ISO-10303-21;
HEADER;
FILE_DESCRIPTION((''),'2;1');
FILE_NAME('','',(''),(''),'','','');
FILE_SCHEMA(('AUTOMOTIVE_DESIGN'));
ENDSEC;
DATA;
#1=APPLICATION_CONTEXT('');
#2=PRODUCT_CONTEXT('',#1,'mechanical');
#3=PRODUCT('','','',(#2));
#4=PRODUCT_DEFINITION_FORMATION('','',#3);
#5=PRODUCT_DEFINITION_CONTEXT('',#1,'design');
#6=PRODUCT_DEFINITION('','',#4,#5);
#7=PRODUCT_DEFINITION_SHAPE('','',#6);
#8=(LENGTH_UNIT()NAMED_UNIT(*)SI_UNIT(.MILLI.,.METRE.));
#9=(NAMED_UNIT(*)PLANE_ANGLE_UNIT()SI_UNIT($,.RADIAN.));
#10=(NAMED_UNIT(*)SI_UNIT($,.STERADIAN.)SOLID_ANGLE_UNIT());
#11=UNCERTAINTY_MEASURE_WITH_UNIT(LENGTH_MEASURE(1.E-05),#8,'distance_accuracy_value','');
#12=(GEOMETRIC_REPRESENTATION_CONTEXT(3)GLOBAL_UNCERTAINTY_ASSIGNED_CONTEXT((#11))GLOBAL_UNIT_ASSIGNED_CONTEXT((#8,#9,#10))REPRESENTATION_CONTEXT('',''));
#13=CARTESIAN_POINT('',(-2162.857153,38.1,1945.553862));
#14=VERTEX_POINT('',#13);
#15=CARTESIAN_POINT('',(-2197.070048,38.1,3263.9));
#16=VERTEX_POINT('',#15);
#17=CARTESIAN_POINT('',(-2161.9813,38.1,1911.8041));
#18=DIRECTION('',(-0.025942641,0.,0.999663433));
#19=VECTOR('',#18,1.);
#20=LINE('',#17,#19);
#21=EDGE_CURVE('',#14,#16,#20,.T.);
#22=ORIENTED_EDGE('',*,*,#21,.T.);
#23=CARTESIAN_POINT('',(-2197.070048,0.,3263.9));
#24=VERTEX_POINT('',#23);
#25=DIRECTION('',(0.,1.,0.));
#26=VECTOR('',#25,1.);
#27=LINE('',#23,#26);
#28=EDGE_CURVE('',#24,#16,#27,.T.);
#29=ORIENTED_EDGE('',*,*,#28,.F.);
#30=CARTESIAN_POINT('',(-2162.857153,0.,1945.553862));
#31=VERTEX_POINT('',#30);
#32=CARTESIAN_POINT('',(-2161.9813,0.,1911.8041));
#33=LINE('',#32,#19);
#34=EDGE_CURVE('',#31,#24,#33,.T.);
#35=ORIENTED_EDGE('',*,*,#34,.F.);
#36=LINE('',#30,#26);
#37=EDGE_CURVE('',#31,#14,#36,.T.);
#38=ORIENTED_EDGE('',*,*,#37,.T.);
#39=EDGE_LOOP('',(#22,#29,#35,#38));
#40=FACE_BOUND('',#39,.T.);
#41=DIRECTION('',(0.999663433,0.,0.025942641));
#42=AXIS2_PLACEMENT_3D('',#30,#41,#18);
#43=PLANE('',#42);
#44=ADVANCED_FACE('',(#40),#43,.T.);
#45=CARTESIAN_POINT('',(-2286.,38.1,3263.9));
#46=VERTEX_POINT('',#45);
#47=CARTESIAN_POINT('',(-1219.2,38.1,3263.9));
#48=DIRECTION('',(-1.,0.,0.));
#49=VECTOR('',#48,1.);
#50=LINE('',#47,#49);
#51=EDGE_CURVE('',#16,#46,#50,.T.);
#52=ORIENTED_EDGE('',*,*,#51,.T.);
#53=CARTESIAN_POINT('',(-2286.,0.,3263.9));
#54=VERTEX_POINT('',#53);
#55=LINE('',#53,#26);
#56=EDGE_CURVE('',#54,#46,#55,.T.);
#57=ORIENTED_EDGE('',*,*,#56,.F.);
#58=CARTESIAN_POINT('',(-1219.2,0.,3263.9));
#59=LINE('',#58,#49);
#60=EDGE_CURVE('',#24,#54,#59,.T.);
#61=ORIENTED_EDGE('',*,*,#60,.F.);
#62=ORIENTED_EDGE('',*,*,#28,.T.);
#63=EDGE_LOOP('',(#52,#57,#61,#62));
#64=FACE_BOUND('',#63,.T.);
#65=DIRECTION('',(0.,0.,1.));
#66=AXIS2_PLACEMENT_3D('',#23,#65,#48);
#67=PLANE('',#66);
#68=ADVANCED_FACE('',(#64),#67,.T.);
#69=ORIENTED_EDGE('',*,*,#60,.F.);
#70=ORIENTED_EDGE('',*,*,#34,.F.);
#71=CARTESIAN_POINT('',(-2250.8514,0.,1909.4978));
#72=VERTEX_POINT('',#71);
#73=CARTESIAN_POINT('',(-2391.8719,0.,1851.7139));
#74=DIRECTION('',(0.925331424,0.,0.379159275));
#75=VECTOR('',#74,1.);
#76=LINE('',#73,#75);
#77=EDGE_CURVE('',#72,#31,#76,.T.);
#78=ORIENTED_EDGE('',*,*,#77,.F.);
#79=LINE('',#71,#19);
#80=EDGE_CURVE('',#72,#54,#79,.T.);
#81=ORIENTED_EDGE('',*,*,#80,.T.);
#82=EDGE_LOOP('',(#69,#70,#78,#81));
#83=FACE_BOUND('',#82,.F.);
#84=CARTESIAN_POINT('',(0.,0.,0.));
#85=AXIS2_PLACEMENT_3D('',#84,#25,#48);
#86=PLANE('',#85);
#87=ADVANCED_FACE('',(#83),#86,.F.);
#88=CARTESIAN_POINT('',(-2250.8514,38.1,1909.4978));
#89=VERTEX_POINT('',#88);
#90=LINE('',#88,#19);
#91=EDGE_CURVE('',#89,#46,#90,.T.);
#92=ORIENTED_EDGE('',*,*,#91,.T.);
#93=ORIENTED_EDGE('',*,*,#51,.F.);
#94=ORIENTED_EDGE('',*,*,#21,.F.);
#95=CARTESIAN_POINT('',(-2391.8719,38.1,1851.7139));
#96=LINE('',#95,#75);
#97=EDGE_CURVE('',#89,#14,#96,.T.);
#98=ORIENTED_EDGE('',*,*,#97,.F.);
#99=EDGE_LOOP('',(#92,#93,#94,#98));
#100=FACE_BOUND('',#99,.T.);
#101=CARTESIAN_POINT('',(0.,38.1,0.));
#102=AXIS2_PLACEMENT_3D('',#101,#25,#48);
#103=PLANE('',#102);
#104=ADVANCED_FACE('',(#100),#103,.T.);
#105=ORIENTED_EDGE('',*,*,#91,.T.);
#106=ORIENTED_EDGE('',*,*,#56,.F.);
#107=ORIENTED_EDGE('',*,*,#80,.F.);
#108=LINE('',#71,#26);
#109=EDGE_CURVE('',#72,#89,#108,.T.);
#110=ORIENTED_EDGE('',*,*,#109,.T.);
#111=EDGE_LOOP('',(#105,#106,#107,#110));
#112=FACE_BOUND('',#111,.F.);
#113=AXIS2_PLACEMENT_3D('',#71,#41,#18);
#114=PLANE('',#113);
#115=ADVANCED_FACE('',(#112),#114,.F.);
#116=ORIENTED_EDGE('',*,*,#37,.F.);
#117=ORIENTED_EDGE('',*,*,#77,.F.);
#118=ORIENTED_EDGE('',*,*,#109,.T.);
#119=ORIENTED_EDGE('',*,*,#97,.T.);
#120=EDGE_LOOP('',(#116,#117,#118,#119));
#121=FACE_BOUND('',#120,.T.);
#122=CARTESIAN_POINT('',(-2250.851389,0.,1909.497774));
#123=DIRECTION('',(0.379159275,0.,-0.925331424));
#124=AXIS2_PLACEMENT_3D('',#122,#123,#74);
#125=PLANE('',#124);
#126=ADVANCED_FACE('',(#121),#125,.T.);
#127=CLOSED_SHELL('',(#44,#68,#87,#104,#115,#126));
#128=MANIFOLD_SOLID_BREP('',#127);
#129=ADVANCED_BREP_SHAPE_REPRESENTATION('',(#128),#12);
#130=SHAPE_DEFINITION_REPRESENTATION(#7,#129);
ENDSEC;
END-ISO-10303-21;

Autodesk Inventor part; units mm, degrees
ref_plane "YZ Plane" through (0, 0, 0) normal (1, 0, 0) x (0, 1, 0)
ref_plane "XZ Plane" through (0, 0, 0) normal (0, 1, 0) x (-1, 0, 0)
ref_plane "XY Plane" through (0, 0, 0) normal (0, 0, 1) x (1, 0, 0)
sketch "Sketch1" plane through (0, 0, 0) normal (0, 1, 0) x (-1, 0, 0)
  line L0 (0, 0) -> (0, -1219.2)
  line L1 (0, 0) -> (88.9, 0)
  line L2 (88.9, 0) -> (88.9, -1219.2)
  line L3 (88.9, -1219.2) -> (0, -1219.2)
  line L4 (0, 0) -> (0, 1219.2) construction
  line L5 (0, 1219.2) -> (1219.2, 1219.2) construction
  line L6 (0, 1219.2) -> (0, 3657.6) construction
  line L7 (0, 3657.6) -> (0, 4876.8) construction
  line L8 (0, 4876.8) -> (0, 6096) construction
  line L9 (0, -1219.2) -> (2438.4, -1219.2) construction
  line L10 (0, 6096) -> (2438.4, 6096) construction
  line L11 (2438.4, 6096) -> (2438.4, -1219.2) construction
  line L12 (0, 3657.6) -> (0, 3352.8) construction
  line L13 (0, 3352.8) -> (2438.4, 3352.8) construction
  line L14 (2438.4, 3352.8) -> (1219.2, 3352.8)
  line L15 (1219.2, 3352.8) -> (1219.2, 3263.9)
  line L16 (1219.2, 3263.9) -> (2438.4, 3263.9)
  line L17 (2438.4, 3263.9) -> (2438.4, 3352.8)
  line L18 (0, 6096) -> (862.1046, 6958.1046)
  line L19 (862.1046, 6958.1046) -> (924.9664, 6895.2428)
  line L20 (924.9664, 6895.2428) -> (62.8618, 6033.1382)
  line L21 (62.8618, 6033.1382) -> (0, 6096)
  line L22 (0, 4876.8) -> (1219.2, 4876.8) construction
  line L23 (1219.2, 4876.8) -> (2081.3046, 5738.9046)
  line L24 (1219.2, 1219.2) -> (2081.3046, 357.0954)
  line L25 (2081.3046, 357.0954) -> (2018.4428, 294.2336)
  line L26 (2018.4428, 294.2336) -> (1156.3382, 1156.3382)
  line L27 (1156.3382, 1156.3382) -> (1219.2, 1219.2)
  line L28 (2018.4428, 294.2336) -> (88.9, -1219.2)
  line L29 (2081.3046, 357.0954) -> (2144.1664, 419.9572)
  line L30 (2144.1664, 419.9572) -> (1282.0618, 1282.0618)
  line L31 (1282.0618, 1282.0618) -> (1219.2, 1219.2)
  line L32 (2438.4, 3352.8) -> (2438.4, 3441.7)
  line L33 (2438.4, 3441.7) -> (1219.2, 3441.7)
  line L34 (1219.2, 3441.7) -> (1219.2, 3352.8)
  line L35 (1156.3382, 4939.6618) -> (1282.0618, 4813.9382)
  line L36 (2018.4428, 5801.7664) -> (2144.1664, 5676.0428)
  line L37 (1282.0618, 4813.9382) -> (2144.1664, 5676.0428)
  line L38 (2018.4428, 5801.7664) -> (1156.3382, 4939.6618)
  line L39 (2018.4428, 5801.7664) -> (924.9664, 6895.2428)
  line L40 (62.8618, 6033.1382) -> (1156.3382, 4939.6618)
  line L41 (1233.6206, 4168.8855) -> (1267.6412, 4086.7527)
  line L42 (1263.7078, 2313.9849) -> (1230.0006, 2231.7229)
  arc A0 (862.1046, 6958.1046) -> (0, 6096) centre (431.0523, 6527.0523) ccw
  line L43 (1246.8542, 2272.8539) -> (2375.0183, 1810.583)
  line L44 (2391.8719, 1851.7139) -> (2358.1646, 1769.452)
  line L45 (2391.8719, 1851.7139) -> (1263.7078, 2313.9849)
  line L46 (1230.0006, 2231.7229) -> (2358.1646, 1769.452)
  line L47 (1230.0006, 2231.7229) -> (1219.2, 3263.9)
  line L48 (2144.1664, 419.9572) -> (2391.8719, 1851.7139)
  line L49 (2391.8719, 1851.7139) -> (2438.4, 3263.9)
  line L50 (1219.2, 3441.7) -> (1233.6206, 4168.8855)
  line L51 (1250.6309, 4127.8191) -> (2377.0248, 4594.3867)
  line L52 (2360.0145, 4635.4532) -> (2394.0351, 4553.3203)
  line L53 (2394.0351, 4553.3203) -> (1267.6412, 4086.7527)
  line L54 (2360.0145, 4635.4532) -> (1233.6206, 4168.8855)
  line L55 (2394.0351, 4553.3203) -> (2144.1664, 5676.0428)
  line L56 (2438.4, 3441.7) -> (2394.0351, 4553.3203)
  line L57 (2144.1664, 5676.0428) -> (2057.3895, 5656.7301)
  line L58 (2394.0351, 4553.3203) -> (2305.2058, 4549.7751)
  line L59 (2394.0351, 4553.3203) -> (2307.2582, 4534.0076)
  line L60 (2307.2582, 4534.0076) -> (2057.3895, 5656.7301)
  line L61 (2438.4, 3441.7) -> (2349.5707, 3438.1548)
  line L62 (2349.5707, 3438.1548) -> (2305.2058, 4549.7751)
  line L63 (1219.2, 3441.7) -> (1308.0825, 3439.9374)
  line L64 (1233.6206, 4168.8855) -> (1322.5031, 4167.1229)
  line L65 (1322.5031, 4167.1229) -> (1308.0825, 3439.9374)
  line L66 (2018.4428, 5801.7664) -> (1955.581, 5738.9046)
  line L67 (1955.581, 5738.9046) -> (862.1046, 6832.381)
  line L68 (924.9664, 6895.2428) -> (862.1046, 6832.381)
  line L69 (62.8618, 6033.1382) -> (125.7236, 6096)
  line L70 (62.8618, 6033.1382) -> (125.7236, 6096)
  line L71 (125.7236, 6096) -> (1219.2, 5002.5236)
  line L72 (1156.3382, 1156.3382) -> (0, 0)
  line L73 (0, 0) -> (62.8618, -62.8618)
  line L74 (1156.3382, 1156.3382) -> (1219.2, 1093.4764)
  line L75 (1219.2, 1093.4764) -> (62.8618, -62.8618)
  line L76 (2018.4428, 294.2336) -> (1963.5776, 364.1837)
  line L77 (88.9, -1219.2) -> (34.0348, -1149.2499)
  line L78 (34.0348, -1149.2499) -> (1963.5776, 364.1837)
  line L79 (2144.1664, 419.9572) -> (2056.5677, 435.1125)
  line L80 (2391.8719, 1851.7139) -> (2304.2732, 1866.8692)
  line L81 (2391.8719, 1851.7139) -> (2303.0201, 1854.6414)
  line L82 (2304.2732, 1866.8692) -> (2056.5677, 435.1125)
  line L83 (1230.0006, 2231.7229) -> (1318.8957, 2232.6531)
  line L84 (1219.2, 3263.9) -> (1308.0951, 3264.8302)
  line L85 (1308.0951, 3264.8302) -> (1318.8957, 2232.6531)
  line L86 (2438.4, 3263.9) -> (2349.5482, 3266.8275)
  line L87 (2349.5482, 3266.8275) -> (2303.0201, 1854.6414)
  line L88 (88.9, 0) -> (125.7236, 0)
  line L89 (1233.6206, 4168.8855) -> (1219.2, 4876.8)
  line L90 (1233.6206, 4168.8855) -> (1322.5022, 4170.6961)
  line L91 (1219.2, 4876.8) -> (1308.0816, 4878.6106)
  line L92 (1308.0816, 4878.6106) -> (1322.5022, 4170.6961)
  line L93 (1282.0618, 4813.9382) -> (1309.9674, 4786.0326)
  line L94 (1267.6412, 4086.7527) -> (1318.4756, 3964.0275)
  line L95 (2360.0145, 4635.4532) -> (2374.4273, 4641.4231)
  line L96 (1230.0006, 2231.7229) -> (1219.2, 1219.2)
  line L97 (1230.0006, 2231.7229) -> (1318.8955, 2230.7747)
  line L98 (1219.2, 1219.2) -> (1308.0949, 1218.2518)
  line L99 (1308.0949, 1218.2518) -> (1318.8955, 2230.7747)
  line L100 (1282.0618, 1282.0618) -> (1309.0636, 1309.0636)
  line L101 (1263.7078, 2313.9849) -> (1316.7428, 2438.4)
  line L102 (2358.1646, 1769.452) -> (2376.5379, 1763.082)
  line L103 (2286, 3352.8) -> (1371.6, 3352.8)
  line L104 (2286, 3441.7) -> (2286, 3263.9)
  line L105 (1371.6, 3441.7) -> (1371.6, 3263.9)
  line L106 (0, -152.4) -> (0, -1066.8)
  line L107 (0, -152.4) -> (88.9, -152.4)
  line L108 (0, -1066.8) -> (88.9, -1066.8)
  line L109 (1326.9631, 1111.4369) -> (1973.5415, 464.8585)
  line L110 (2036.4033, 527.7203) -> (1910.6797, 401.9967)
  line L111 (1389.8249, 1174.2987) -> (1264.1013, 1048.5751)
  line L112 (2233.9978, 1868.3668) -> (1387.8747, 2215.07)
  line L113 (1404.7283, 2256.201) -> (1371.0211, 2173.939)
  line L114 (2250.8514, 1909.4978) -> (2217.1441, 1827.2358)
  line L115 (1371.0211, 2173.939) -> (1389.8249, 1174.2987)
  line L116 (1264.1013, 1048.5751) -> (88.9, -152.4)
  line L117 (2217.1441, 1827.2358) -> (2036.4033, 527.7203)
  line L118 (1910.6797, 401.9967) -> (88.9, -1066.8)
  line L119 (88.9, -1066.8) -> (33.1016, -997.592)
  line L120 (1910.6797, 401.9967) -> (1854.8813, 471.2047)
  line L121 (1854.8813, 471.2047) -> (33.1016, -997.592)
  line L122 (88.9, -152.4) -> (0, -243.2497)
  line L123 (0, -243.2497) -> (63.5399, -305.426)
  line L124 (1263.7078, 1048.9686) -> (1327.2477, 986.7923)
  line L125 (1327.2477, 986.7923) -> (88.9, -278.7141)
  line L126 (1389.8249, 1174.2987) -> (1392.2351, 1046.1649)
  line L127 (1392.2351, 1046.1649) -> (1481.1194, 1047.8368)
  line L128 (1371.0211, 2173.939) -> (1459.9053, 2175.611)
  line L129 (1459.9053, 2175.611) -> (1460.6275, 2137.2224)
  line L130 (2036.4033, 527.7203) -> (1948.3509, 539.9669)
  line L131 (2217.1441, 1827.2358) -> (2223.465, 1872.6827)
  line L132 (2223.465, 1872.6827) -> (2135.4126, 1884.9293)
  line L133 (2135.4126, 1884.9293) -> (2132.2278, 1862.0307)
  line L134 (88.9, -278.7141) -> (63.1422, -305.0368)
  line L135 (2132.2278, 1862.0307) -> (1948.3509, 539.9669)
  line L136 (1480.4452, 1083.6784) -> (1481.1194, 1047.8368)
  line L137 (1460.6275, 2137.2224) -> (1480.4452, 1083.6784)
  line L138 (1973.5415, 5631.1415) -> (1326.9631, 4984.5631)
  line L139 (1264.1013, 5047.4249) -> (1389.8249, 4921.7013)
  line L140 (1910.6797, 5694.0033) -> (2036.4033, 5568.2797)
  line L141 (1404.7283, 2256.201) -> (1371.6, 3263.9)
  line L142 (2250.8514, 1909.4978) -> (2286, 3263.9)
  line L143 (2236.2256, 4536.0658) -> (1391.4301, 4186.1401)
  line L144 (1374.4199, 4227.2065) -> (1408.4404, 4145.0736)
  line L145 (2219.2153, 4577.1322) -> (2253.2359, 4494.9993)
  line L146 (2286, 3441.7) -> (2253.2359, 4494.9993)
  line L147 (2219.2153, 4577.1322) -> (2036.4033, 5568.2797)
  line L148 (1374.4199, 4227.2065) -> (1389.8249, 4921.7013)
  line L149 (2036.4033, 5568.2797) -> (1948.978, 5552.1546)
  line L150 (2219.2153, 4577.1322) -> (2227.4595, 4532.4348)
  line L151 (2227.4595, 4532.4348) -> (2140.0342, 4516.3096)
  line L152 (1948.978, 5552.1546) -> (2140.0342, 4516.3096)
  line L153 (1374.4199, 4227.2065) -> (1463.298, 4225.235)
  line L154 (1389.8249, 4921.7013) -> (1392.6769, 5050.2769)
  line L155 (1392.6769, 5050.2769) -> (1481.555, 5048.3054)
  line L156 (1463.298, 4225.235) -> (1481.555, 5048.3054)
  line L157 (2253.2359, 4494.9993) -> (2164.3788, 4492.2353)
  line L158 (2286, 3441.7) -> (2197.143, 3438.936)
  line L159 (2197.143, 3438.936) -> (2164.3788, 4492.2353)
  line L160 (1408.4404, 4145.0736) -> (1371.6, 3441.7)
  line L161 (2286, 3263.9) -> (2197.1299, 3266.2063)
  line L162 (2250.8514, 1909.4978) -> (2161.9813, 1911.8041)
  line L163 (2161.9813, 1911.8041) -> (2197.1299, 3266.2063)
  line L164 (1408.4404, 4145.0736) -> (1411.0163, 4194.2529)
  line L165 (1411.0163, 4194.2529) -> (1499.7946, 4189.603)
  line L166 (1371.6, 3441.7) -> (1460.3783, 3437.0501)
  line L167 (1460.3783, 3437.0501) -> (1499.7946, 4189.603)
  line L168 (1371.6, 3263.9) -> (1460.452, 3266.821)
  line L169 (1404.7283, 2256.201) -> (1406.3291, 2207.5082)
  line L170 (1406.3291, 2207.5082) -> (1495.1811, 2210.4293)
  line L171 (1495.1811, 2210.4293) -> (1460.452, 3266.821)
  point P0 (1955.1236, 357.5528)
  point P1 (88.9, -1106.2164)
  point P2 (2292.1025, 1796.5213)
  point P3 (2067.2525, 496.8711)
  point P4 (1318.5187, 2195.4522)
  point P5 (1308.1049, 3263.9)
  point P6 (2349.4518, 3263.9)
  point P7 (2304.1085, 1887.6754)
  point P8 (2306.5112, 4517.0667)
  point P9 (2349.4292, 3441.7)
  point P10 (1308.1175, 3441.7)
  point P11 (2069.6708, 5601.5472)
  point P12 (2291.0394, 4606.8827)
  point P13 (1321.7951, 4205.4086)
  point P14 (1828.8, 3352.8)
  point P15 (0, -609.6)
  point P16 (1650.2523, 788.1477)
  point P17 (1810.9362, 2041.7184)
  point P18 (88.9, -278.7141)
  point P19 (1326.5733, 986.1031)
  point P20 (1957.6068, 606.5167)
  point P21 (1957.6068, 606.5167)
  point P22 (1480.4452, 1083.6784)
  point P23 (1650.2523, 5307.8523)
  point P24 (1813.8279, 4361.1029)
  point P25 (2197.0701, 3263.9)
  point P26 (2162.8572, 1945.5539)
  dimension "d0" = 1219.2
  dimension "d2" = 1219.2
  dimension "d3" = 1219.2
  dimension "d16" = 2438.4
  dimension "d17" = 1219.2
  dimension "d18" = 1219.2
  dimension "d20" = 2438.4
  dimension "d21" = 304.8
  dimension "d22" = 1219.2
  dimension "d23" = 88.9
  dimension "d24" = 1219.2
  dimension "d25" = 45
  dimension "d26" = 88.9
  dimension "d27" = 1219.2
  dimension "d28" = 1219.2
  dimension "d29" = 1219.2
  dimension "d31" = 1219.2
  dimension "d32" = 88.9
  dimension "d33" = 88.9
  dimension "d34" = 88.9
  dimension "d35" = 177.8
  dimension "d36" = 177.8
  dimension "d38" = 88.9
  dimension "d39" = 88.9
  dimension "d43" = 1219.2
  dimension "d44" = 88.9
  dimension "d45" = 1219.2
  dimension "d46" = 88.9
  dimension "d47" = 88.9
  dimension "d48" = 88.9
  dimension "d49" = 88.9
  dimension "d50" = 88.9
  dimension "d51" = 88.9
  dimension "d54" = 88.9
  dimension "d55" = 88.9
  dimension "d57" = 88.9
  dimension "d58" = 88.9
  dimension "d59" = 88.9
  dimension "d60" = 88.9
  dimension "d61" = 88.9
  dimension "d64" = 88.9
  dimension "d65" = 88.9
  dimension "d66" = 88.9
  dimension "d69" = 88.9
  dimension "d70" = 88.9
  dimension "d71" = 88.9
  dimension "d72" = 88.9
  dimension "d73" = 914.4
  dimension "d74" = 914.4
  dimension "d75" = 914.4
  dimension "d76" = 914.4
  dimension "d77" = 88.9
  dimension "d78" = 88.9
  dimension "d79" = 88.9
  dimension "d80" = 88.9
  dimension "d83" = 88.9
  dimension "d84" = 88.9
  dimension "d85" = 88.9
  dimension "d86" = 88.9
  dimension "d89" = 914.4
  dimension "d90" = 914.4
  dimension "d91" = 88.9
  dimension "d92" = 88.9
  dimension "d93" = 88.9
extrude "Extrusion3" add sketch "Sketch1" along normal blind 38.1 contours L142 L45 L163 L16
properties part number "S_2x4x53.341"
